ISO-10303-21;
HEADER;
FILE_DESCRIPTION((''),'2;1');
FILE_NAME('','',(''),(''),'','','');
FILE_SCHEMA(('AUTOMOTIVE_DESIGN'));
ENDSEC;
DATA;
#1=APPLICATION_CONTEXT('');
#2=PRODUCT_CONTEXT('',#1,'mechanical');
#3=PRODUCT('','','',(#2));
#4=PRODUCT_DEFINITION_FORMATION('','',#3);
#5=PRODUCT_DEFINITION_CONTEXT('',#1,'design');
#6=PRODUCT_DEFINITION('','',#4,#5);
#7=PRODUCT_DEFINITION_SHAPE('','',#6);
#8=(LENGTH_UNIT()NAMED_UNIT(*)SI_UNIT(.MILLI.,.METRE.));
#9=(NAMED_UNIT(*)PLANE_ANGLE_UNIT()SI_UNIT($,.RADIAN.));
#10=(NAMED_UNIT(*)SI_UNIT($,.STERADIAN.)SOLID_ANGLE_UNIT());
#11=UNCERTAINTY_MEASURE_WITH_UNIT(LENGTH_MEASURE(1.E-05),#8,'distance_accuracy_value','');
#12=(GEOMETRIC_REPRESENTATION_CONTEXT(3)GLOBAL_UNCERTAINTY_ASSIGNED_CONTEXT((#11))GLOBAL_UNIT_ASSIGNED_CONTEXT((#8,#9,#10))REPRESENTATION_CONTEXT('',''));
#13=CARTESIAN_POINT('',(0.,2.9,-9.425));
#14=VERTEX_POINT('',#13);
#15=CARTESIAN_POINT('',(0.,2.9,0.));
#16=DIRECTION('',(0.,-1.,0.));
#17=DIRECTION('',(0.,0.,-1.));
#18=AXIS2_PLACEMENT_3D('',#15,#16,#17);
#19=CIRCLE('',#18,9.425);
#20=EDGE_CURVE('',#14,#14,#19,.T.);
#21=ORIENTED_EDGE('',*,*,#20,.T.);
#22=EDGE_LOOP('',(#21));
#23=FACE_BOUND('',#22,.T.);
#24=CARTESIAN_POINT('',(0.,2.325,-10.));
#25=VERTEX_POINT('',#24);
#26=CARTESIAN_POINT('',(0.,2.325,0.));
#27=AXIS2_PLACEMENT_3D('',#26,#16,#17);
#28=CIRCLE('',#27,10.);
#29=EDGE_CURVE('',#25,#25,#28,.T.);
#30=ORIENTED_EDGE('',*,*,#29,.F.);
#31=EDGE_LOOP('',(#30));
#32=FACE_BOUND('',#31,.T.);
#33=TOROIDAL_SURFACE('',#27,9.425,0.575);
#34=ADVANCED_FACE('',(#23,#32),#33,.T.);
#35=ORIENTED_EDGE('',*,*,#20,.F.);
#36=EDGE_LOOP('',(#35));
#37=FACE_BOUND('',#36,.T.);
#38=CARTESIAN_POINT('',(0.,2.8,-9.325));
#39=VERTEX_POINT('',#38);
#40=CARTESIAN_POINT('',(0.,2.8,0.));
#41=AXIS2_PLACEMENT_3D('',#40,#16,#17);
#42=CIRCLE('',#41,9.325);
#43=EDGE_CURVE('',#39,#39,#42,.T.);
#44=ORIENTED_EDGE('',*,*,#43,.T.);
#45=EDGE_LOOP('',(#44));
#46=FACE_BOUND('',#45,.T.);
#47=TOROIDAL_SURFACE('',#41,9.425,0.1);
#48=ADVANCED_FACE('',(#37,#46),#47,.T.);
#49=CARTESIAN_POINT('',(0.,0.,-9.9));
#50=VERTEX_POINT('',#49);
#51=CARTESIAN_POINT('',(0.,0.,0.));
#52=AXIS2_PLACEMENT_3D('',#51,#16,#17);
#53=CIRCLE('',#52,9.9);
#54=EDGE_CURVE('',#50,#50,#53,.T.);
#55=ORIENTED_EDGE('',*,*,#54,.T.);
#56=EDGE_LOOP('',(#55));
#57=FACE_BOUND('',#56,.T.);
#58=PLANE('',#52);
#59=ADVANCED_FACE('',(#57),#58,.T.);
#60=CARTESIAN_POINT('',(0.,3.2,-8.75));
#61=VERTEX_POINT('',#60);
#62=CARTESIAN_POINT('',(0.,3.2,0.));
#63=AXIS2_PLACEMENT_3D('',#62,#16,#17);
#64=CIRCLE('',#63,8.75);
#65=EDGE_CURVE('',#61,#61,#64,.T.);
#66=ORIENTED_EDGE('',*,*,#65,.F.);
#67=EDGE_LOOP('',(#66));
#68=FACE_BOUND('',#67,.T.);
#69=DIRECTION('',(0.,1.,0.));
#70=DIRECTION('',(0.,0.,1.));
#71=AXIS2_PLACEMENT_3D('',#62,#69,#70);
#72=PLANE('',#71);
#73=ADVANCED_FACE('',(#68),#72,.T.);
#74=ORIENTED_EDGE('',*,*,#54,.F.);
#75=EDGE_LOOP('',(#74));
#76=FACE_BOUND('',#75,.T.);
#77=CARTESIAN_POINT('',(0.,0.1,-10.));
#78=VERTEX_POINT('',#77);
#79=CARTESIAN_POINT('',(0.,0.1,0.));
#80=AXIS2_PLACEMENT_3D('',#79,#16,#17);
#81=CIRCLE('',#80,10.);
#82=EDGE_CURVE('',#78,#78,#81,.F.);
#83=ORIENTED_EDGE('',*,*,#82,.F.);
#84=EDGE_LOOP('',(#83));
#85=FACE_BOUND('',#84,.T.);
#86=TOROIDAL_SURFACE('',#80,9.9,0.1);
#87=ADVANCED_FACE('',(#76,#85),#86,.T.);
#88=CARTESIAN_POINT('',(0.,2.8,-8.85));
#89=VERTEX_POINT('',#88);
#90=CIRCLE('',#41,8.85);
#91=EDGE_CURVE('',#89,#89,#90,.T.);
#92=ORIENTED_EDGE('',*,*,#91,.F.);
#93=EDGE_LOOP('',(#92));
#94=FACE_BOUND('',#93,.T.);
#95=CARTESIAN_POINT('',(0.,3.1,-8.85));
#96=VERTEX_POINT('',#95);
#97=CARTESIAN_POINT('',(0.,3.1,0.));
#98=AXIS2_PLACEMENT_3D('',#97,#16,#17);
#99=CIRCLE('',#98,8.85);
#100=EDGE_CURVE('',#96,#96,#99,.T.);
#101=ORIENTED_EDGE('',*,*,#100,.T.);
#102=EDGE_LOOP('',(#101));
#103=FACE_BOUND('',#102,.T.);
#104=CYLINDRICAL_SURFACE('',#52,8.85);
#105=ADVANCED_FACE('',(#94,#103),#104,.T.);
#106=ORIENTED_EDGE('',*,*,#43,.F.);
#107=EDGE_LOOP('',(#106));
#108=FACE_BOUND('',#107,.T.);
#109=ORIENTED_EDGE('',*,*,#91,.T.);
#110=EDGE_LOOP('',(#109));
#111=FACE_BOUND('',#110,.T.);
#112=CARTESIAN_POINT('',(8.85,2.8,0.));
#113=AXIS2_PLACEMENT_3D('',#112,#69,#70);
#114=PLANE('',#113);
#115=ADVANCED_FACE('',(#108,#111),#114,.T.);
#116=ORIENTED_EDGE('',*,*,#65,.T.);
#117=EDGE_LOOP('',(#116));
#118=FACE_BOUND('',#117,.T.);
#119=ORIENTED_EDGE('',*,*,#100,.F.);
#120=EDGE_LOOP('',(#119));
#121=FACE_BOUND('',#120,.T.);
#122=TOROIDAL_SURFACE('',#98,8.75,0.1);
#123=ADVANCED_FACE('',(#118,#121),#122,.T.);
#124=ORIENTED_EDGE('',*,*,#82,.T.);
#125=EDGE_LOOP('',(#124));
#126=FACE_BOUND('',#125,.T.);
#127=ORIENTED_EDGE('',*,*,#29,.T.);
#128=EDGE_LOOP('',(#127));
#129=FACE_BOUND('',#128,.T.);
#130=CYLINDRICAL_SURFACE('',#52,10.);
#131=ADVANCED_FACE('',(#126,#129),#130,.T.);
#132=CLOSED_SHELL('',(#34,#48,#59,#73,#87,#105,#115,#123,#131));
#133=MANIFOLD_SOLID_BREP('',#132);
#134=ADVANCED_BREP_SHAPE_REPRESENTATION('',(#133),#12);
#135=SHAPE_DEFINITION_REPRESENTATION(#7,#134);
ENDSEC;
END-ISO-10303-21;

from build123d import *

# Parameters (mm, degrees)
FILLET1_R = 0.1


with BuildPart() as part:
    # Sketch1 → Revolve1 (revolve)
    with BuildSketch(Plane.XY):
        with BuildLine():
            Line((0, 0), (10, 0))
            Line((10, 0), (10, 2.325))
            ThreePointArc((10, 2.325), (9.831586399, 2.731586399), (9.425, 2.9))
            ThreePointArc((9.425, 2.9), (9.354289322, 2.870710678), (9.325, 2.8))
            Line((9.325, 2.8), (8.85, 2.8))
            Line((8.85, 2.8), (8.85, 3.1))
            ThreePointArc((8.85, 3.1), (8.820710678, 3.170710678), (8.75, 3.2))
            Line((8.75, 3.2), (0, 3.2))
            Line((0, 3.2), (0, 0))
        make_face()
    revolve(axis=Axis((0, 0, 0), (0, 1, 0)))

    # Fillet1
    fillet1_edges = [part.edges().sort_by_distance(p)[0] for p in [
        (-10, 0, 0),
    ]]
    fillet(fillet1_edges, radius=FILLET1_R)


solid = part.part
